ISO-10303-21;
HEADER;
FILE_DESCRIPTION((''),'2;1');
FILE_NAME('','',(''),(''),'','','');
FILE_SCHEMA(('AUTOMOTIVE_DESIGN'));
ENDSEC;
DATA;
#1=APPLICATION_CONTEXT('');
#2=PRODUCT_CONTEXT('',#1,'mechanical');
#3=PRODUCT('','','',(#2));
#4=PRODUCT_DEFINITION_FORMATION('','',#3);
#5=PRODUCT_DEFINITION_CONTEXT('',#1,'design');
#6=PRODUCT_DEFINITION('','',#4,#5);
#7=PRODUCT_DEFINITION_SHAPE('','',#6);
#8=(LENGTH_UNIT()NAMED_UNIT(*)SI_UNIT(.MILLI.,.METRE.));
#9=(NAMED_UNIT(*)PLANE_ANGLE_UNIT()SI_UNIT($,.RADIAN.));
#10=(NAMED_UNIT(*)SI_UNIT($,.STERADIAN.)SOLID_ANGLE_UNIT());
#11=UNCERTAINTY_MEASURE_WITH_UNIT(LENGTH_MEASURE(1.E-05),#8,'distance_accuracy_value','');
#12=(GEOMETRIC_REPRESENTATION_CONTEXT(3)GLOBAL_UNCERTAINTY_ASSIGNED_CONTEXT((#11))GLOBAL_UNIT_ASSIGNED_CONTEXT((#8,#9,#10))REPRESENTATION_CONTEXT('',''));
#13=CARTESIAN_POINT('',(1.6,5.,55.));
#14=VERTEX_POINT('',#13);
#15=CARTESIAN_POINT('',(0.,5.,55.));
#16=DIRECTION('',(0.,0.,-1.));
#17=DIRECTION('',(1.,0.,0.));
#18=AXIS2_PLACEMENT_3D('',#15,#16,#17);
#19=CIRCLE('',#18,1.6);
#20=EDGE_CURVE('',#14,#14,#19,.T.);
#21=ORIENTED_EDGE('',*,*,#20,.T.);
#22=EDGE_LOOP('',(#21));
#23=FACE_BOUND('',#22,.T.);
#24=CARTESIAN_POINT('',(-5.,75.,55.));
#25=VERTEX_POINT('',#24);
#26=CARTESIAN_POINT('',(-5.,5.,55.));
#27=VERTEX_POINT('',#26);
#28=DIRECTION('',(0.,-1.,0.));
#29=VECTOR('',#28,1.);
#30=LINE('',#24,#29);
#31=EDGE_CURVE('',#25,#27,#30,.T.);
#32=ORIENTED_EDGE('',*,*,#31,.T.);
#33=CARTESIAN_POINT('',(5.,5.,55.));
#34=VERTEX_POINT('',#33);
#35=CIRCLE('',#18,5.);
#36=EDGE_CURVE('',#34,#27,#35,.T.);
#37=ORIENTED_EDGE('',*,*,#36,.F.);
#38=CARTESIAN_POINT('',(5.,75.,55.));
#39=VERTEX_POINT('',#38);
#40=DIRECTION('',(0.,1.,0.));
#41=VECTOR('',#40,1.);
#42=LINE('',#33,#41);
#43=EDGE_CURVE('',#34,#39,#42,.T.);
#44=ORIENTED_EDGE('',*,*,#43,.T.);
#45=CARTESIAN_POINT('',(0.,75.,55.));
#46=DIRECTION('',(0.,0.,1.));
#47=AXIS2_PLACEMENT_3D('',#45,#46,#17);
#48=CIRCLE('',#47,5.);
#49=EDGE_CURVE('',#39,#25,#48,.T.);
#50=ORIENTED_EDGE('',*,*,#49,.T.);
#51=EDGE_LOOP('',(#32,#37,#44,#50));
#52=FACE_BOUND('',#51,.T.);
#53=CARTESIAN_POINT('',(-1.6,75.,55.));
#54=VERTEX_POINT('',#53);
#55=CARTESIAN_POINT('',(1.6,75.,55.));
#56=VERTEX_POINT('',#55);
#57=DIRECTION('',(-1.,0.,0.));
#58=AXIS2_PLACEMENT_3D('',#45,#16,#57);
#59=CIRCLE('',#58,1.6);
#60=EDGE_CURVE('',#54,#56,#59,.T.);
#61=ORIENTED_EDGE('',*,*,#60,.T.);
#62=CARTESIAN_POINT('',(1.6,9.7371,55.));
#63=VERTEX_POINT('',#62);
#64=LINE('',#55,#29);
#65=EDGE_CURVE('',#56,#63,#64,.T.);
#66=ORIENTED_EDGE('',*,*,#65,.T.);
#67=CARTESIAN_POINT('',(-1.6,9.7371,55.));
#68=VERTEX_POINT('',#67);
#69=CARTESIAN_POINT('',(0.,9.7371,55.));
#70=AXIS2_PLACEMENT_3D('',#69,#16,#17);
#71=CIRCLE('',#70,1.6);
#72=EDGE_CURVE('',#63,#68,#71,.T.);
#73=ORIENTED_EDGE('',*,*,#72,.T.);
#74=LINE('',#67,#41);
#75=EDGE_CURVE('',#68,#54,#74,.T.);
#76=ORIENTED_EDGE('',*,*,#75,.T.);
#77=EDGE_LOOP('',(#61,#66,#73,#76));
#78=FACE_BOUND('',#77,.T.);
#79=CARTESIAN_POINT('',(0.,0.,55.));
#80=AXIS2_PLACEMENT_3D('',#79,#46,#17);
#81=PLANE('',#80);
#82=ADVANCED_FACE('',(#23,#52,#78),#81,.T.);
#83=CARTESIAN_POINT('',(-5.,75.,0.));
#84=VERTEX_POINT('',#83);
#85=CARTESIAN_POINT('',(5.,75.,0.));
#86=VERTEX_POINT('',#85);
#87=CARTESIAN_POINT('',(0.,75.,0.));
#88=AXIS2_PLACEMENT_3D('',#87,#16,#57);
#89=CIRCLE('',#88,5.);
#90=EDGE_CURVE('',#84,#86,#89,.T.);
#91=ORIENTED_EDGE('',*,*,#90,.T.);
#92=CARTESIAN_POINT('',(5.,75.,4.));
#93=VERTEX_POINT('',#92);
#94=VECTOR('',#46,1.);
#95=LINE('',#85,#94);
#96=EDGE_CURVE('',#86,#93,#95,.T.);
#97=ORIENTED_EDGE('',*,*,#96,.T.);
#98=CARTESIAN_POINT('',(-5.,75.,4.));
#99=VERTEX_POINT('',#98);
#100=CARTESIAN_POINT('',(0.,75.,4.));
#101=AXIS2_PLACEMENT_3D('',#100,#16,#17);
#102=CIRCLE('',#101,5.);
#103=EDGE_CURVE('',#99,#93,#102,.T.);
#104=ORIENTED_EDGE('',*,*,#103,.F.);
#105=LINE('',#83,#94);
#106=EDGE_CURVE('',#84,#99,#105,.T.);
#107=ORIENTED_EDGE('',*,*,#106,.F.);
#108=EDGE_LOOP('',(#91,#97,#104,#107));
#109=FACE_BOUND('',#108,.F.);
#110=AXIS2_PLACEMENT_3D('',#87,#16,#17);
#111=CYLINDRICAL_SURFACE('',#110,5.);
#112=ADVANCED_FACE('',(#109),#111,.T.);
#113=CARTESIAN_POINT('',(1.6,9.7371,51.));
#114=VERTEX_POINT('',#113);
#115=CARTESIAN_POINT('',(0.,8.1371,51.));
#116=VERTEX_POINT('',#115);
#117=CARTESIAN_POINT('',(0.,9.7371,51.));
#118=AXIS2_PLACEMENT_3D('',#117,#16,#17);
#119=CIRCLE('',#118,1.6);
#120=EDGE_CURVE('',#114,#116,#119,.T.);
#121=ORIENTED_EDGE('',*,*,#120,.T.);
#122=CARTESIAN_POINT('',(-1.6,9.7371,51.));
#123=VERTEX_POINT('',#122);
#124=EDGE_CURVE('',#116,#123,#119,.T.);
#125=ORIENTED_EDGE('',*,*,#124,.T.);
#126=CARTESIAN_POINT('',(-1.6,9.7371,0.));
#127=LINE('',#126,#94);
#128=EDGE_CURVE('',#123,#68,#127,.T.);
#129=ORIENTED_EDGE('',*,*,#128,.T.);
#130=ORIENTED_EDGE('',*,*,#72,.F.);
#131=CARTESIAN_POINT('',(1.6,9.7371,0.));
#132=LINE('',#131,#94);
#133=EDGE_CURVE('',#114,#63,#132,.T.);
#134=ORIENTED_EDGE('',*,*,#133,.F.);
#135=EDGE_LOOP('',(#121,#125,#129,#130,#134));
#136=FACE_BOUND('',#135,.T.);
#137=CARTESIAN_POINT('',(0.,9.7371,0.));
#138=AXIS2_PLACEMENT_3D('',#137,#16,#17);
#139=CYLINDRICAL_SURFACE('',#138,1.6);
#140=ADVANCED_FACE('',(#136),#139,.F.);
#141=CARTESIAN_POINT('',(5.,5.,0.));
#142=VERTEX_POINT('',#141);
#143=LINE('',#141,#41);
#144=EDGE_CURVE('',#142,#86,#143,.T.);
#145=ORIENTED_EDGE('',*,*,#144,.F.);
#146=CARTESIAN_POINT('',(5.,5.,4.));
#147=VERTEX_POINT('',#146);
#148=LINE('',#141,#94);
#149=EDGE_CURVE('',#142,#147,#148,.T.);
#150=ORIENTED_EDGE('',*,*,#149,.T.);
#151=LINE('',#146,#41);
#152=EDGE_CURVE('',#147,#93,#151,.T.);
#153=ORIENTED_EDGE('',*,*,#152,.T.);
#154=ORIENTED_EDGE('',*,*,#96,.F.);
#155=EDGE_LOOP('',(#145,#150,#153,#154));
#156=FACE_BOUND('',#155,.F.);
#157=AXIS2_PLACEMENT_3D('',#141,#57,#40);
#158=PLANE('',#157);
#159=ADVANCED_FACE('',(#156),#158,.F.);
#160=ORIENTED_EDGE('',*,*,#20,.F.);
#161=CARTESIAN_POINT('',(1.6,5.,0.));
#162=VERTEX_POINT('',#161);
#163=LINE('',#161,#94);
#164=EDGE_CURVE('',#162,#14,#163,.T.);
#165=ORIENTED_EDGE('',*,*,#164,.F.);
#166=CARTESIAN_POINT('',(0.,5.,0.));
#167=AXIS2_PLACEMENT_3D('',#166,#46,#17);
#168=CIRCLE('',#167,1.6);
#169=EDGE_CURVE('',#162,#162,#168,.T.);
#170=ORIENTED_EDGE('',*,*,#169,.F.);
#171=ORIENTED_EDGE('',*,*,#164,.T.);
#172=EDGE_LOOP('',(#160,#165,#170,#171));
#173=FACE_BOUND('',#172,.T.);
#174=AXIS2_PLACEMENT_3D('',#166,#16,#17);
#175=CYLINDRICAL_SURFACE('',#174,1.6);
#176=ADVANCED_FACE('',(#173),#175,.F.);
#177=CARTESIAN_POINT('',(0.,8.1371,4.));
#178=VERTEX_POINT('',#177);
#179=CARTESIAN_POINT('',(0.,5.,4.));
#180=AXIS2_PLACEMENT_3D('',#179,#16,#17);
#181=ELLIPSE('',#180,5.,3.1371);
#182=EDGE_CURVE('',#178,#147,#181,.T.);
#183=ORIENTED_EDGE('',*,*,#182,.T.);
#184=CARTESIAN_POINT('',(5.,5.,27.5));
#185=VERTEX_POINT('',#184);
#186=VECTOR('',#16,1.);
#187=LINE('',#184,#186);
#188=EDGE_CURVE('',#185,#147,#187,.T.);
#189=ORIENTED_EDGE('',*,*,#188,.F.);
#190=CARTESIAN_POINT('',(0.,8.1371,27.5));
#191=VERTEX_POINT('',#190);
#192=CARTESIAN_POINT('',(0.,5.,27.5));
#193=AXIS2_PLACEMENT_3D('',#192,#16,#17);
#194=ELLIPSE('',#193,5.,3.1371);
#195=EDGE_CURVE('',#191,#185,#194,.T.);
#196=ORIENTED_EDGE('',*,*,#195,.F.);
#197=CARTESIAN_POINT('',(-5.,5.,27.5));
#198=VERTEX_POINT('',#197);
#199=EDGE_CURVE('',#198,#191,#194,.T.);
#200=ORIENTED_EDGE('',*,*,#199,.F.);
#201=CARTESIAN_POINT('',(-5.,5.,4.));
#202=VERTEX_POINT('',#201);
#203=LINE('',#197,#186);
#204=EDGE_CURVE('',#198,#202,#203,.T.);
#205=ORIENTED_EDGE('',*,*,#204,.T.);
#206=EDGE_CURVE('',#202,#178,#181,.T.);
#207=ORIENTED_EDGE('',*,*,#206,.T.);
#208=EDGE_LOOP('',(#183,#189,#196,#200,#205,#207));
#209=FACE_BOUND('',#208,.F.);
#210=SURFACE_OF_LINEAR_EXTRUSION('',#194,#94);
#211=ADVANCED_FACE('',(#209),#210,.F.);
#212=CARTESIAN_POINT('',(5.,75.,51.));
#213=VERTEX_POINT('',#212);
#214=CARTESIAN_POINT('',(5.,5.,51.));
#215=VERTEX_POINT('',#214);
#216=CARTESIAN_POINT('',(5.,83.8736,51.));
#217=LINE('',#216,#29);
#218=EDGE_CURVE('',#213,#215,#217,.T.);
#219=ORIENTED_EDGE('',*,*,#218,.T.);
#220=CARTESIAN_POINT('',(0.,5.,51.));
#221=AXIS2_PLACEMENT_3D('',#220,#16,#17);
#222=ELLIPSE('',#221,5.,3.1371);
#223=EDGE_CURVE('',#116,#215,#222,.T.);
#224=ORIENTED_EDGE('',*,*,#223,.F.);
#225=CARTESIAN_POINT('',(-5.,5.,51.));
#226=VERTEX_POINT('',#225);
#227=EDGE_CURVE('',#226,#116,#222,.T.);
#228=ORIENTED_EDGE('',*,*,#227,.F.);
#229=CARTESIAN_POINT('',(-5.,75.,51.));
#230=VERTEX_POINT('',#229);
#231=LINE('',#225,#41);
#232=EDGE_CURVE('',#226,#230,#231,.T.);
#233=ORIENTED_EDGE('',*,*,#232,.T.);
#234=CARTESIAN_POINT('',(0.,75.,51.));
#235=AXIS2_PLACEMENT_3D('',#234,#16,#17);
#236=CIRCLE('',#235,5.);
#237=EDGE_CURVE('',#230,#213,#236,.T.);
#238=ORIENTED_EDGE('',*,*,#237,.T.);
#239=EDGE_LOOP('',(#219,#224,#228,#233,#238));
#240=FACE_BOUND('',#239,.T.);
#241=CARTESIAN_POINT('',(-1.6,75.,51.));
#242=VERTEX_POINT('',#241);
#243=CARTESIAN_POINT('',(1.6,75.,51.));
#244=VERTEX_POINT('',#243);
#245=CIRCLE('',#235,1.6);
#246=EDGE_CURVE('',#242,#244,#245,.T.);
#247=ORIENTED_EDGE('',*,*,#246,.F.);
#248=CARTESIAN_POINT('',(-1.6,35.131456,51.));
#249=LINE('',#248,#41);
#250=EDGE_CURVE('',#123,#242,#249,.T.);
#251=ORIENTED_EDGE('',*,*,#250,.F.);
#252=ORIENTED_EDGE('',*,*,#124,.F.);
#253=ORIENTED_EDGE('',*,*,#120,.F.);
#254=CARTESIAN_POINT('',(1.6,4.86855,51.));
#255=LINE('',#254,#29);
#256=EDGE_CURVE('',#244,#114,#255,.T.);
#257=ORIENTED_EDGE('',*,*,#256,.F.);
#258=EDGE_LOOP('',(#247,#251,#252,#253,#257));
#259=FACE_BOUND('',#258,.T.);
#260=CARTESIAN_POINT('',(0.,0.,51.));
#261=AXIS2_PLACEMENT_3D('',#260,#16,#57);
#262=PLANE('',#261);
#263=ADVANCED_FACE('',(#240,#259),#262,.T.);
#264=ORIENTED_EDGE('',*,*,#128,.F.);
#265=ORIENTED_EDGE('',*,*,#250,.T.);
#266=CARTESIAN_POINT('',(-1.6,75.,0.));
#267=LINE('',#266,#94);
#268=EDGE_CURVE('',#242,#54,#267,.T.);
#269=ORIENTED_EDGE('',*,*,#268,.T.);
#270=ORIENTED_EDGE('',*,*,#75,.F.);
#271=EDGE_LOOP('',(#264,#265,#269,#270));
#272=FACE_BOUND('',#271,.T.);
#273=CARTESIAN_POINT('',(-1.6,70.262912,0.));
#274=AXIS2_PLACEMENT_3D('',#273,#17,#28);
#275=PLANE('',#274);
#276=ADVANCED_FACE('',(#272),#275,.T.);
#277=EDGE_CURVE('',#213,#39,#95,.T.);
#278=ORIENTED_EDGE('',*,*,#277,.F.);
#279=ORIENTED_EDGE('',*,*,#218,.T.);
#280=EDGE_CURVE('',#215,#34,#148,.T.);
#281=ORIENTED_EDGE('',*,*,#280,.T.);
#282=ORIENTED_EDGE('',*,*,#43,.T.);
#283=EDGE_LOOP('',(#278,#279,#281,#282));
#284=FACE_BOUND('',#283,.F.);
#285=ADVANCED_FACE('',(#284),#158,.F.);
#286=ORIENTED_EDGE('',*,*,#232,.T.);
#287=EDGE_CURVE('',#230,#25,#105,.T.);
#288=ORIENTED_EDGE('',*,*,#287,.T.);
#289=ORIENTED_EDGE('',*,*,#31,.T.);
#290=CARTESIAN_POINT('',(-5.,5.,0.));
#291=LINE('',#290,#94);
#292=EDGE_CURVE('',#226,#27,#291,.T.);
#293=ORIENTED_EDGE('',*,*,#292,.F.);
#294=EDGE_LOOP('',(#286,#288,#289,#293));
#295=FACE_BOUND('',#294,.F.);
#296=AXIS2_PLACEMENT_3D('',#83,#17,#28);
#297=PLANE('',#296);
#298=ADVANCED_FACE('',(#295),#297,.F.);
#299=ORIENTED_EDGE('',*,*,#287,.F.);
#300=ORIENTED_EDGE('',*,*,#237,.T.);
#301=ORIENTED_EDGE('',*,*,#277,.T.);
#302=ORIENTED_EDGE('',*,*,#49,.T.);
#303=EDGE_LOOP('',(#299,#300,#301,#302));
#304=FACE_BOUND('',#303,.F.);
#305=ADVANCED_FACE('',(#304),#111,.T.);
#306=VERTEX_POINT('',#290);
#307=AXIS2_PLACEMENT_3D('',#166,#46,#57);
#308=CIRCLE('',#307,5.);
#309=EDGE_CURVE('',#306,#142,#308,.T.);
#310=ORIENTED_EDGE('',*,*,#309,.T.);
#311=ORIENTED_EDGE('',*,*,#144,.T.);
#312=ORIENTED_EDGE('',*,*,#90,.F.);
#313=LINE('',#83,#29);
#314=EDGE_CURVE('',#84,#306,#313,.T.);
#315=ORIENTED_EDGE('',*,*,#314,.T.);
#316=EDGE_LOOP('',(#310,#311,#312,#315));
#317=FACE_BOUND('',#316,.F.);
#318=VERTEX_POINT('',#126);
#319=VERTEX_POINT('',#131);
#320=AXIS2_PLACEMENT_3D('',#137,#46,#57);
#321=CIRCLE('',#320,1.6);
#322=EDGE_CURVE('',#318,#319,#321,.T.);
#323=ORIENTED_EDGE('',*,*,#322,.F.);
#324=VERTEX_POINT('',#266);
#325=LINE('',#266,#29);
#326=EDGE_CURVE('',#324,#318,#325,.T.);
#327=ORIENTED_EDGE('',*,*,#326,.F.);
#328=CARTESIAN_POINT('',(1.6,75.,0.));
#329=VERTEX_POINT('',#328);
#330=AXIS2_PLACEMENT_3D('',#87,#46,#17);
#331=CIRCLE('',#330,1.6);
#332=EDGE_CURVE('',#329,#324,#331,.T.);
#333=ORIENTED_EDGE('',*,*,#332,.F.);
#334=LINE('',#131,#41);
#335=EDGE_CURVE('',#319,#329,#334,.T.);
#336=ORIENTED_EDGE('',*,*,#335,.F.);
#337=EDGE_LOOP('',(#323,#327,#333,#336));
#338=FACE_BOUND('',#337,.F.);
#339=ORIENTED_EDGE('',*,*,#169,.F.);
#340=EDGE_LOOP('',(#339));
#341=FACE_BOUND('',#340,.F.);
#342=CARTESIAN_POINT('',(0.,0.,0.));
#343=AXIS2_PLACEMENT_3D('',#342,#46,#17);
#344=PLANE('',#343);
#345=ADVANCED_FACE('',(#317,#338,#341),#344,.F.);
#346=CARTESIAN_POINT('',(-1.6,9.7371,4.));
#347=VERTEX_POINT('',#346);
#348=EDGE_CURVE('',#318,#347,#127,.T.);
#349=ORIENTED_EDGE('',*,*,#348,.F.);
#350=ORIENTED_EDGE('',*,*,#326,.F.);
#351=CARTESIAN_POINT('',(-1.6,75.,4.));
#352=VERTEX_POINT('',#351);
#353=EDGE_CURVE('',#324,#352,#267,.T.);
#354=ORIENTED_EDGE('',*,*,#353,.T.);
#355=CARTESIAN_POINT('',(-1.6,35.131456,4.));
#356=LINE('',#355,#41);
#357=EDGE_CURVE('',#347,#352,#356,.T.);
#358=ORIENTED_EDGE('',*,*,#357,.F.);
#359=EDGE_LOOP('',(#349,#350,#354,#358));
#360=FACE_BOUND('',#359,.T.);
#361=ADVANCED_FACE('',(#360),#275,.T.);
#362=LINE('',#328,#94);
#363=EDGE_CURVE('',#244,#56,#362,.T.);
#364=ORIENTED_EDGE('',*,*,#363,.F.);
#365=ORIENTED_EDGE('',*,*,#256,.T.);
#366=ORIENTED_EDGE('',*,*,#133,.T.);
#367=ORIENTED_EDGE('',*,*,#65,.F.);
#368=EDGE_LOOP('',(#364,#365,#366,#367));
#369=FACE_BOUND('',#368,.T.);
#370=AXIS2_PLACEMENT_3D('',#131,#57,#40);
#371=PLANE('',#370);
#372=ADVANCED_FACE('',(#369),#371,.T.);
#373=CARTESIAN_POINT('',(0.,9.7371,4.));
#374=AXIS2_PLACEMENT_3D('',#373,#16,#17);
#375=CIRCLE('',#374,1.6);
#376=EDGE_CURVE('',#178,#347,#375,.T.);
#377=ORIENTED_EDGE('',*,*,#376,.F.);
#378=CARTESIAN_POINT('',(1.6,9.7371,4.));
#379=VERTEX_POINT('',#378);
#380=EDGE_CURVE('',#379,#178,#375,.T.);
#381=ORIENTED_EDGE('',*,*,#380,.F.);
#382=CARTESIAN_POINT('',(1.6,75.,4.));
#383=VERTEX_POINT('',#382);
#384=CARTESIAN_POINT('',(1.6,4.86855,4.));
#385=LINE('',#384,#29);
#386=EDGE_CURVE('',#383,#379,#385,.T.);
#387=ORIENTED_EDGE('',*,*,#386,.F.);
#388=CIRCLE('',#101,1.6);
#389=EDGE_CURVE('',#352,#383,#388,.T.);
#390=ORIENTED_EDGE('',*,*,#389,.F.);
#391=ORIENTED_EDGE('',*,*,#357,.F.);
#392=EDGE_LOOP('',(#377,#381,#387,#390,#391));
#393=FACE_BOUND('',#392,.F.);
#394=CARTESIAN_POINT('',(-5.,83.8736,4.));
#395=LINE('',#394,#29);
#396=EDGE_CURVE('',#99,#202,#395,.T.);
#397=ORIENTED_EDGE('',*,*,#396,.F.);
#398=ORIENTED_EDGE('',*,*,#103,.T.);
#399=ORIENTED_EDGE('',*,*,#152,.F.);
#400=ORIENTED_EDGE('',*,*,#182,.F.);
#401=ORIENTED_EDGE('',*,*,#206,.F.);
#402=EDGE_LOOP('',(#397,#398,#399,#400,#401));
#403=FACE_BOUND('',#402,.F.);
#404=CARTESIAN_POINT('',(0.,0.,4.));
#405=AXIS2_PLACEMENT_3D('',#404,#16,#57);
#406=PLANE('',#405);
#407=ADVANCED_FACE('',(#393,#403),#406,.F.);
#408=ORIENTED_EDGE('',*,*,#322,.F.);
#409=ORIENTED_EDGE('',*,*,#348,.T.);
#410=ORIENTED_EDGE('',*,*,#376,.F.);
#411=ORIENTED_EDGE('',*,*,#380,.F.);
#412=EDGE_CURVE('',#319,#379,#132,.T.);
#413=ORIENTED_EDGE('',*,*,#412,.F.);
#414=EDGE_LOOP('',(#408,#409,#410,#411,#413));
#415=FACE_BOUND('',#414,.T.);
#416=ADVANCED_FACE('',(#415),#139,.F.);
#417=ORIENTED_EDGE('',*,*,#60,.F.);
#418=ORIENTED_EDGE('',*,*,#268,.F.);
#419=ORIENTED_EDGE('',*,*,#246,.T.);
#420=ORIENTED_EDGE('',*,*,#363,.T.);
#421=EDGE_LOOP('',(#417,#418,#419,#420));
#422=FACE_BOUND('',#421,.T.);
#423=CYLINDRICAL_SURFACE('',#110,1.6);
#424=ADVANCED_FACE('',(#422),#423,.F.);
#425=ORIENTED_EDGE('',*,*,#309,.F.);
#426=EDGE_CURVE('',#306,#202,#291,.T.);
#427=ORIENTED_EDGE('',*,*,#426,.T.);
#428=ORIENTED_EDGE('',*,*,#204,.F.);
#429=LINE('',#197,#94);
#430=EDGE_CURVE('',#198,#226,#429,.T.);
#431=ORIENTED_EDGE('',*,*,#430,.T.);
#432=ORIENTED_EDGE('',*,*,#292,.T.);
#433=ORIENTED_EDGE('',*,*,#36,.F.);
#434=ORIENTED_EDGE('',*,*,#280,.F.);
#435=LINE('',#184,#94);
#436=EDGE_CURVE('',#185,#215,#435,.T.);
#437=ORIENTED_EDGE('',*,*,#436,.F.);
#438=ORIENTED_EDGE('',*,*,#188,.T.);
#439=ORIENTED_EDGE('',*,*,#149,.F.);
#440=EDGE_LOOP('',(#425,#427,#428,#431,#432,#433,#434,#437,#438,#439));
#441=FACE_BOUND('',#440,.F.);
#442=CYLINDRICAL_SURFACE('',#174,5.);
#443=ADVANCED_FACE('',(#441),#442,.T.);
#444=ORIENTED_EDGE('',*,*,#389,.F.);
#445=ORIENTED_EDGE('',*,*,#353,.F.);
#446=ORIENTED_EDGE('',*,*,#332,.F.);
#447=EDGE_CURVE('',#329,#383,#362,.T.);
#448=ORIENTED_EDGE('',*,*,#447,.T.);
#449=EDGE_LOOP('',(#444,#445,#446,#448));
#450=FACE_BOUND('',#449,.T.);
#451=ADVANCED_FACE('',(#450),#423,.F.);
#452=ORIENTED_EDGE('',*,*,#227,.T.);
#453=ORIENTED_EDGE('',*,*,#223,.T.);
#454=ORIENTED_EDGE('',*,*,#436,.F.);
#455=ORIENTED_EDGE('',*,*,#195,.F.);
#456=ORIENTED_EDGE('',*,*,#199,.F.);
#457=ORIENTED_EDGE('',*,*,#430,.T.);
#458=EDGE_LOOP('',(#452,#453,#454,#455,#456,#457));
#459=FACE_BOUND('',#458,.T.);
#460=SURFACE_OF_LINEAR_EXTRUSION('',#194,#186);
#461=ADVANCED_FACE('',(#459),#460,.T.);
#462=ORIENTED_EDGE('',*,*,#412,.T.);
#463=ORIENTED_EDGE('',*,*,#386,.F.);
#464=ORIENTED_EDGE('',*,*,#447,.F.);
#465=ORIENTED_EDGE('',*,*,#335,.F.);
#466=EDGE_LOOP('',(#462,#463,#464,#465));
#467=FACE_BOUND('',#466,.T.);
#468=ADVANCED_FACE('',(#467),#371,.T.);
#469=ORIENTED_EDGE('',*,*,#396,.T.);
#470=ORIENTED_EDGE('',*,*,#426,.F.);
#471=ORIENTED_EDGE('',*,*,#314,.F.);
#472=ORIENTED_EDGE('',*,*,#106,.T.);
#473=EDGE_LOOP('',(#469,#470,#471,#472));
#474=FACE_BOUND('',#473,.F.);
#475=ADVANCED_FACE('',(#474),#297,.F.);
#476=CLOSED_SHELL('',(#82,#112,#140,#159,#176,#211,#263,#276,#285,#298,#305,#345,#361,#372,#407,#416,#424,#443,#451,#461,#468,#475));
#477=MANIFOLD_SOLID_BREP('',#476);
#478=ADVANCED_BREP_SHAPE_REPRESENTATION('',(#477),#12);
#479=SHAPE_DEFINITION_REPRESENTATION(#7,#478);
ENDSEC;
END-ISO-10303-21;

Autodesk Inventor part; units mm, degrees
ref_plane "YZ Plane" through (0, 0, 0) normal (1, 0, 0) x (0, 1, 0)
ref_plane "XZ Plane" through (0, 0, 0) normal (0, 1, 0) x (-1, 0, 0)
ref_plane "XY Plane" through (0, 0, 0) normal (0, 0, 1) x (1, 0, 0)
sketch "Эскиз1" plane through (0, 0, 0) normal (0, 0, 1) x (1, 0, 0)
  line L0 (0, 0) -> (0, 80)
  line L1 (0, 0) -> (0, 5)
  line L2 (0, 80) -> (0, 75)
  circle A0 centre (0, 75) radius 5
  circle A1 centre (0, 5) radius 5
  circle A2 centre (0, 5) radius 1.6
  circle A3 centre (0, 75) radius 1.6
  line L3 (-1.6, 75) -> (-1.6, 5)
  line L4 (1.6, 5) -> (1.6, 75)
  line L5 (-5, 75) -> (-5, 5)
  line L6 (5, 5) -> (5, 75)
  line L7 (-1.6, 9.7371) -> (1.6, 9.7371)
  circle A4 centre (0, 9.7371) radius 1.6
  point P0 (-1.6, 9.7371)
  dimension "d0" = 80
  dimension "d1" = 5
  dimension "d2" = 5
  dimension "d3" = 3.2
  dimension "d4" = 3.2
extrude "Выдавливание1" add sketch "Эскиз1" along normal blind 55 contours A1 L3 A2 L0 | L0 A2 L4 A1 | L5 A0 L3 A1 | A1 L4 A0 L6 | L3 A4 L0 A2 | A2 L0 A4 L4 | A0 L0 A3 L3 | A0 L4 A3 L0 picked at (-1.9727, 72.0221) picked at (1.9727, 72.0221)
ref_plane "РабПлоскость1" through (0, 0, 27.5) normal (0, 0, -1) x (-1, 0, 0)
sketch "Эскиз2" plane through (0, 0, 27.5) normal (0, 0, -1) x (-1, 0, 0)
  circle A0 centre (0, 5) radius 1.6 projected
  circle A1 centre (0, 5) radius 5
  line L0 (-5, 5) -> (-5, 75) projected
  ellipse E0 centre (0, 5) end of major axis (-5, 5) minor radius 3.1371
  line L1 (5, 75) -> (5, 5) projected
  line L2 (5, 5) -> (-5, 5)
  line L3 (-5, 5) -> (-5, 83.8736)
  line L4 (-5, 83.8736) -> (5, 83.8736)
  line L5 (5, 83.8736) -> (5, 5)
  point P0 (0, 0)
extrude "Выдавливание2" cut sketch "Эскиз2" against normal mid plane 47 contours E0 A1 | A1 L0 L3 L4 L5 L1 picked at (-0.9942, 8.9185)
properties part number "arrow"
